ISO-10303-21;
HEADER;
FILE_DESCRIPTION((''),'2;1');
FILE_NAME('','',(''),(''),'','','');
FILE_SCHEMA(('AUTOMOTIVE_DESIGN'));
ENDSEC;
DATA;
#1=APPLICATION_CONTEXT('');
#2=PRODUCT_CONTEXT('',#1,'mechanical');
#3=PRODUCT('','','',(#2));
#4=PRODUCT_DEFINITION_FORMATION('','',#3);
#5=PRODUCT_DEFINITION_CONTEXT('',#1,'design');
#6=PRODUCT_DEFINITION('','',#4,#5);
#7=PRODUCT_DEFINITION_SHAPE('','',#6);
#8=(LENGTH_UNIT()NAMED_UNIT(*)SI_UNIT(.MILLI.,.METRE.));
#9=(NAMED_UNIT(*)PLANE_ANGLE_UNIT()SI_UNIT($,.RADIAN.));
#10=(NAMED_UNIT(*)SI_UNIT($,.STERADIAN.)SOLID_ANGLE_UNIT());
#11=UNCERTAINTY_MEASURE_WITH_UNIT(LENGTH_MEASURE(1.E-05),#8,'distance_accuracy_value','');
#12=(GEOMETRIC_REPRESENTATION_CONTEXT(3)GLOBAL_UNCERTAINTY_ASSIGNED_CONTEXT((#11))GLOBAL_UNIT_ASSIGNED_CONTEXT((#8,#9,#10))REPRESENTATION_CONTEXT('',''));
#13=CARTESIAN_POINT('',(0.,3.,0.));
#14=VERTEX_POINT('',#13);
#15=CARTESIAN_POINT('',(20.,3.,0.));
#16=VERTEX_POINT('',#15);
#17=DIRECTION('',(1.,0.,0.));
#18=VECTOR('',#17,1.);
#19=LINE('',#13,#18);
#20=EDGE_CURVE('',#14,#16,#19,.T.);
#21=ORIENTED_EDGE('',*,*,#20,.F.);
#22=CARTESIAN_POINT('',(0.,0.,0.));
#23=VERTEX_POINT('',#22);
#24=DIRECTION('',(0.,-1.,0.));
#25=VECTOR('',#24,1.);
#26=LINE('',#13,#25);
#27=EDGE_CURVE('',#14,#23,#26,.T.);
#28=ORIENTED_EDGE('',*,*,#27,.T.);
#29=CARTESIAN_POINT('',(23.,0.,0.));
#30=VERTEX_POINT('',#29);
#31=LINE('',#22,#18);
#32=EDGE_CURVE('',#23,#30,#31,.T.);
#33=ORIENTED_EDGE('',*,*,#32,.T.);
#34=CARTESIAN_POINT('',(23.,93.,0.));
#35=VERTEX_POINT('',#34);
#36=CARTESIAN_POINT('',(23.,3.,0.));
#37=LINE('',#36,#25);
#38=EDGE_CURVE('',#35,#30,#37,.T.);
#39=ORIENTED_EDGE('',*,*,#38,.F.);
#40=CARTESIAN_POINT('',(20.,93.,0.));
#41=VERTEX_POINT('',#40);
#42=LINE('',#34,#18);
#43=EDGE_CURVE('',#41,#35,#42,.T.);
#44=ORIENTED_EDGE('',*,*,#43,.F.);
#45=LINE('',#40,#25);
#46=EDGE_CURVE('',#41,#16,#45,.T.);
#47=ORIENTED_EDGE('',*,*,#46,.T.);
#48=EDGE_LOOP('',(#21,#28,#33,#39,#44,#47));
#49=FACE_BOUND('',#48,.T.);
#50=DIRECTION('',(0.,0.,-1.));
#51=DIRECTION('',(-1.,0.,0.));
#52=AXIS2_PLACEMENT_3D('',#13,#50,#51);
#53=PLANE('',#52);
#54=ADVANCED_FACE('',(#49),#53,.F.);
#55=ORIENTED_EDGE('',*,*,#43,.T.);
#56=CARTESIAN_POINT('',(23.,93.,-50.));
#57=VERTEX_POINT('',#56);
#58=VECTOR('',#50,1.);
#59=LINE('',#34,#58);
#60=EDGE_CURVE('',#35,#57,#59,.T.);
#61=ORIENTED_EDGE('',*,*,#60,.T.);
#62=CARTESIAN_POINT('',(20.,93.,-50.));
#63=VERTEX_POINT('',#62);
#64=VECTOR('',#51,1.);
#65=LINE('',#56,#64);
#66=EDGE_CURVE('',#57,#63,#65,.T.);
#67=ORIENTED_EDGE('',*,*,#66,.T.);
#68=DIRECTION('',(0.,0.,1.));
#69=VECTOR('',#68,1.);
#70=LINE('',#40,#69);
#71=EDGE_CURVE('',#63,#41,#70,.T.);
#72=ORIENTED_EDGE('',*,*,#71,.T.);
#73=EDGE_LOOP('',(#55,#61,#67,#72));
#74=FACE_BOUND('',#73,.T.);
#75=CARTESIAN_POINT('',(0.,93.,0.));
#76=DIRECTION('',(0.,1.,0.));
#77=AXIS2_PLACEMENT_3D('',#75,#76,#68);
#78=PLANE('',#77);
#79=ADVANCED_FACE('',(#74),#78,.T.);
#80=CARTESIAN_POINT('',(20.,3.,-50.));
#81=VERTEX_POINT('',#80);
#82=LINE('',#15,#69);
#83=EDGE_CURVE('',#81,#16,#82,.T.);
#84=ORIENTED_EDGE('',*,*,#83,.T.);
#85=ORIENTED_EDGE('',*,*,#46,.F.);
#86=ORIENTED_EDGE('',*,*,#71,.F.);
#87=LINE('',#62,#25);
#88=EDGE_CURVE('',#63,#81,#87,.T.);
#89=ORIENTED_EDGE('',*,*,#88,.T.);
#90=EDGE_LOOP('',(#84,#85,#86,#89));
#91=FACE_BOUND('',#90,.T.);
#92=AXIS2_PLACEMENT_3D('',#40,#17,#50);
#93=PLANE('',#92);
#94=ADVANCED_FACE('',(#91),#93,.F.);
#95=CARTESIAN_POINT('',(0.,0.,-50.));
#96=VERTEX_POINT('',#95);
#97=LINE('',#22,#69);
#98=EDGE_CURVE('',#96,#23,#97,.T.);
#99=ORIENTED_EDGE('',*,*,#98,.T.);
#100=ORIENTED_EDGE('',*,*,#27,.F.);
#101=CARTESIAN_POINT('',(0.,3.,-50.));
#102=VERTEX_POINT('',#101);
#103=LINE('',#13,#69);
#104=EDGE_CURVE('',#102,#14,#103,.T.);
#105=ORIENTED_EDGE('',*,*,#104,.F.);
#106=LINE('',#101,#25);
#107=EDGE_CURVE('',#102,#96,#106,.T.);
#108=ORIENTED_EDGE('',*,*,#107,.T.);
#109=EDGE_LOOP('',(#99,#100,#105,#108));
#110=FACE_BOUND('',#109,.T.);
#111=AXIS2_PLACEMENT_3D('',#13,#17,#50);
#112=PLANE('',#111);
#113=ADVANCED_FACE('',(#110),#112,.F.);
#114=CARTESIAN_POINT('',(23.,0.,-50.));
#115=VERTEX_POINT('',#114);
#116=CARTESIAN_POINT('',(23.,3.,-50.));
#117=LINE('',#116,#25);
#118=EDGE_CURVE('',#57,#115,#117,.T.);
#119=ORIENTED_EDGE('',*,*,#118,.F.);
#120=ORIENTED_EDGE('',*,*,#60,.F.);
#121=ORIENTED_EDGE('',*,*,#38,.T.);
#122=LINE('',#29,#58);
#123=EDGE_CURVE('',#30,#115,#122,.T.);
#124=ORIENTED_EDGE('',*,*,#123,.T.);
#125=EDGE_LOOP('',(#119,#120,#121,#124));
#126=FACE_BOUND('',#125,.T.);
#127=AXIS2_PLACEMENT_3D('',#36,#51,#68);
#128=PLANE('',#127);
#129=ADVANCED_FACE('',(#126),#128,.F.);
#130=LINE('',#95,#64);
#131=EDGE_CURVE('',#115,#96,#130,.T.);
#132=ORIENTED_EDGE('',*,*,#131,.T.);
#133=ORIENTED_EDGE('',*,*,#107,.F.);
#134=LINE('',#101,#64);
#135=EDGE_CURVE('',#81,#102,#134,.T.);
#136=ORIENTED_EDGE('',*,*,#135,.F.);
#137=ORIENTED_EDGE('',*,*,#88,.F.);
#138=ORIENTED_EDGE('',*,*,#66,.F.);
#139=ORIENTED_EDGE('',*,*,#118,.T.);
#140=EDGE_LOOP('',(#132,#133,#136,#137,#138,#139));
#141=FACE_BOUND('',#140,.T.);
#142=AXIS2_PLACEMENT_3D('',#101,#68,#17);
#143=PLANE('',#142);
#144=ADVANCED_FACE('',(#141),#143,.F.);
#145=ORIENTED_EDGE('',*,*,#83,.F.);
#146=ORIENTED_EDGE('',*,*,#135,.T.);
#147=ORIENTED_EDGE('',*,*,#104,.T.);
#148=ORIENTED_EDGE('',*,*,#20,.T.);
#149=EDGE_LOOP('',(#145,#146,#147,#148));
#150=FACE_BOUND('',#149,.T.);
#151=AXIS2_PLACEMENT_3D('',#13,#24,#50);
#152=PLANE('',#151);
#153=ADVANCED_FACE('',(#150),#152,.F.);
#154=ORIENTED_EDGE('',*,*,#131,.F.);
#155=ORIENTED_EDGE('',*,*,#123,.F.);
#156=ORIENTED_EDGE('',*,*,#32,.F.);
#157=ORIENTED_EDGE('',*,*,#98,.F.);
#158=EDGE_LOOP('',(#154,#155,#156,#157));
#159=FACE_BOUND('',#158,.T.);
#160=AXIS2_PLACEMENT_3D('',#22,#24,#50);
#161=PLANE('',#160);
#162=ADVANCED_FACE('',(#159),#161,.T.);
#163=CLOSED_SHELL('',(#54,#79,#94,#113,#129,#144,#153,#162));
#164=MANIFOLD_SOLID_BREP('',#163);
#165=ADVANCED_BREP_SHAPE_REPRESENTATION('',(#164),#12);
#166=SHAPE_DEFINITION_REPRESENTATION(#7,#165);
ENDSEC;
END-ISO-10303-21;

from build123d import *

# Parameters (mm, degrees)
SKETCH1_W      = 23
SKETCH1_H      = 50
EXTRUDE1_DEPTH = 3
SKETCH2_W      = 3
SKETCH2_H      = 50
EXTRUDE2_DEPTH = 90


with BuildPart() as part:
    # Sketch1 → Extrude1 (new body)
    with BuildSketch(Plane(origin=(0, 0, 0), x_dir=(1, 0, 0), z_dir=(0, 1, 0))):
        with Locations((11.5, 25)):
            Rectangle(SKETCH1_W, SKETCH1_H)
    extrude(amount=EXTRUDE1_DEPTH)

    # Sketch2 → Extrude2 (add)
    with BuildSketch(Plane(origin=(0, 3, 0), x_dir=(1, 0, 0), z_dir=(0, 1, 0))):
        with Locations((21.5, 25)):
            Rectangle(SKETCH2_W, SKETCH2_H)
    extrude(amount=EXTRUDE2_DEPTH)


solid = part.part
